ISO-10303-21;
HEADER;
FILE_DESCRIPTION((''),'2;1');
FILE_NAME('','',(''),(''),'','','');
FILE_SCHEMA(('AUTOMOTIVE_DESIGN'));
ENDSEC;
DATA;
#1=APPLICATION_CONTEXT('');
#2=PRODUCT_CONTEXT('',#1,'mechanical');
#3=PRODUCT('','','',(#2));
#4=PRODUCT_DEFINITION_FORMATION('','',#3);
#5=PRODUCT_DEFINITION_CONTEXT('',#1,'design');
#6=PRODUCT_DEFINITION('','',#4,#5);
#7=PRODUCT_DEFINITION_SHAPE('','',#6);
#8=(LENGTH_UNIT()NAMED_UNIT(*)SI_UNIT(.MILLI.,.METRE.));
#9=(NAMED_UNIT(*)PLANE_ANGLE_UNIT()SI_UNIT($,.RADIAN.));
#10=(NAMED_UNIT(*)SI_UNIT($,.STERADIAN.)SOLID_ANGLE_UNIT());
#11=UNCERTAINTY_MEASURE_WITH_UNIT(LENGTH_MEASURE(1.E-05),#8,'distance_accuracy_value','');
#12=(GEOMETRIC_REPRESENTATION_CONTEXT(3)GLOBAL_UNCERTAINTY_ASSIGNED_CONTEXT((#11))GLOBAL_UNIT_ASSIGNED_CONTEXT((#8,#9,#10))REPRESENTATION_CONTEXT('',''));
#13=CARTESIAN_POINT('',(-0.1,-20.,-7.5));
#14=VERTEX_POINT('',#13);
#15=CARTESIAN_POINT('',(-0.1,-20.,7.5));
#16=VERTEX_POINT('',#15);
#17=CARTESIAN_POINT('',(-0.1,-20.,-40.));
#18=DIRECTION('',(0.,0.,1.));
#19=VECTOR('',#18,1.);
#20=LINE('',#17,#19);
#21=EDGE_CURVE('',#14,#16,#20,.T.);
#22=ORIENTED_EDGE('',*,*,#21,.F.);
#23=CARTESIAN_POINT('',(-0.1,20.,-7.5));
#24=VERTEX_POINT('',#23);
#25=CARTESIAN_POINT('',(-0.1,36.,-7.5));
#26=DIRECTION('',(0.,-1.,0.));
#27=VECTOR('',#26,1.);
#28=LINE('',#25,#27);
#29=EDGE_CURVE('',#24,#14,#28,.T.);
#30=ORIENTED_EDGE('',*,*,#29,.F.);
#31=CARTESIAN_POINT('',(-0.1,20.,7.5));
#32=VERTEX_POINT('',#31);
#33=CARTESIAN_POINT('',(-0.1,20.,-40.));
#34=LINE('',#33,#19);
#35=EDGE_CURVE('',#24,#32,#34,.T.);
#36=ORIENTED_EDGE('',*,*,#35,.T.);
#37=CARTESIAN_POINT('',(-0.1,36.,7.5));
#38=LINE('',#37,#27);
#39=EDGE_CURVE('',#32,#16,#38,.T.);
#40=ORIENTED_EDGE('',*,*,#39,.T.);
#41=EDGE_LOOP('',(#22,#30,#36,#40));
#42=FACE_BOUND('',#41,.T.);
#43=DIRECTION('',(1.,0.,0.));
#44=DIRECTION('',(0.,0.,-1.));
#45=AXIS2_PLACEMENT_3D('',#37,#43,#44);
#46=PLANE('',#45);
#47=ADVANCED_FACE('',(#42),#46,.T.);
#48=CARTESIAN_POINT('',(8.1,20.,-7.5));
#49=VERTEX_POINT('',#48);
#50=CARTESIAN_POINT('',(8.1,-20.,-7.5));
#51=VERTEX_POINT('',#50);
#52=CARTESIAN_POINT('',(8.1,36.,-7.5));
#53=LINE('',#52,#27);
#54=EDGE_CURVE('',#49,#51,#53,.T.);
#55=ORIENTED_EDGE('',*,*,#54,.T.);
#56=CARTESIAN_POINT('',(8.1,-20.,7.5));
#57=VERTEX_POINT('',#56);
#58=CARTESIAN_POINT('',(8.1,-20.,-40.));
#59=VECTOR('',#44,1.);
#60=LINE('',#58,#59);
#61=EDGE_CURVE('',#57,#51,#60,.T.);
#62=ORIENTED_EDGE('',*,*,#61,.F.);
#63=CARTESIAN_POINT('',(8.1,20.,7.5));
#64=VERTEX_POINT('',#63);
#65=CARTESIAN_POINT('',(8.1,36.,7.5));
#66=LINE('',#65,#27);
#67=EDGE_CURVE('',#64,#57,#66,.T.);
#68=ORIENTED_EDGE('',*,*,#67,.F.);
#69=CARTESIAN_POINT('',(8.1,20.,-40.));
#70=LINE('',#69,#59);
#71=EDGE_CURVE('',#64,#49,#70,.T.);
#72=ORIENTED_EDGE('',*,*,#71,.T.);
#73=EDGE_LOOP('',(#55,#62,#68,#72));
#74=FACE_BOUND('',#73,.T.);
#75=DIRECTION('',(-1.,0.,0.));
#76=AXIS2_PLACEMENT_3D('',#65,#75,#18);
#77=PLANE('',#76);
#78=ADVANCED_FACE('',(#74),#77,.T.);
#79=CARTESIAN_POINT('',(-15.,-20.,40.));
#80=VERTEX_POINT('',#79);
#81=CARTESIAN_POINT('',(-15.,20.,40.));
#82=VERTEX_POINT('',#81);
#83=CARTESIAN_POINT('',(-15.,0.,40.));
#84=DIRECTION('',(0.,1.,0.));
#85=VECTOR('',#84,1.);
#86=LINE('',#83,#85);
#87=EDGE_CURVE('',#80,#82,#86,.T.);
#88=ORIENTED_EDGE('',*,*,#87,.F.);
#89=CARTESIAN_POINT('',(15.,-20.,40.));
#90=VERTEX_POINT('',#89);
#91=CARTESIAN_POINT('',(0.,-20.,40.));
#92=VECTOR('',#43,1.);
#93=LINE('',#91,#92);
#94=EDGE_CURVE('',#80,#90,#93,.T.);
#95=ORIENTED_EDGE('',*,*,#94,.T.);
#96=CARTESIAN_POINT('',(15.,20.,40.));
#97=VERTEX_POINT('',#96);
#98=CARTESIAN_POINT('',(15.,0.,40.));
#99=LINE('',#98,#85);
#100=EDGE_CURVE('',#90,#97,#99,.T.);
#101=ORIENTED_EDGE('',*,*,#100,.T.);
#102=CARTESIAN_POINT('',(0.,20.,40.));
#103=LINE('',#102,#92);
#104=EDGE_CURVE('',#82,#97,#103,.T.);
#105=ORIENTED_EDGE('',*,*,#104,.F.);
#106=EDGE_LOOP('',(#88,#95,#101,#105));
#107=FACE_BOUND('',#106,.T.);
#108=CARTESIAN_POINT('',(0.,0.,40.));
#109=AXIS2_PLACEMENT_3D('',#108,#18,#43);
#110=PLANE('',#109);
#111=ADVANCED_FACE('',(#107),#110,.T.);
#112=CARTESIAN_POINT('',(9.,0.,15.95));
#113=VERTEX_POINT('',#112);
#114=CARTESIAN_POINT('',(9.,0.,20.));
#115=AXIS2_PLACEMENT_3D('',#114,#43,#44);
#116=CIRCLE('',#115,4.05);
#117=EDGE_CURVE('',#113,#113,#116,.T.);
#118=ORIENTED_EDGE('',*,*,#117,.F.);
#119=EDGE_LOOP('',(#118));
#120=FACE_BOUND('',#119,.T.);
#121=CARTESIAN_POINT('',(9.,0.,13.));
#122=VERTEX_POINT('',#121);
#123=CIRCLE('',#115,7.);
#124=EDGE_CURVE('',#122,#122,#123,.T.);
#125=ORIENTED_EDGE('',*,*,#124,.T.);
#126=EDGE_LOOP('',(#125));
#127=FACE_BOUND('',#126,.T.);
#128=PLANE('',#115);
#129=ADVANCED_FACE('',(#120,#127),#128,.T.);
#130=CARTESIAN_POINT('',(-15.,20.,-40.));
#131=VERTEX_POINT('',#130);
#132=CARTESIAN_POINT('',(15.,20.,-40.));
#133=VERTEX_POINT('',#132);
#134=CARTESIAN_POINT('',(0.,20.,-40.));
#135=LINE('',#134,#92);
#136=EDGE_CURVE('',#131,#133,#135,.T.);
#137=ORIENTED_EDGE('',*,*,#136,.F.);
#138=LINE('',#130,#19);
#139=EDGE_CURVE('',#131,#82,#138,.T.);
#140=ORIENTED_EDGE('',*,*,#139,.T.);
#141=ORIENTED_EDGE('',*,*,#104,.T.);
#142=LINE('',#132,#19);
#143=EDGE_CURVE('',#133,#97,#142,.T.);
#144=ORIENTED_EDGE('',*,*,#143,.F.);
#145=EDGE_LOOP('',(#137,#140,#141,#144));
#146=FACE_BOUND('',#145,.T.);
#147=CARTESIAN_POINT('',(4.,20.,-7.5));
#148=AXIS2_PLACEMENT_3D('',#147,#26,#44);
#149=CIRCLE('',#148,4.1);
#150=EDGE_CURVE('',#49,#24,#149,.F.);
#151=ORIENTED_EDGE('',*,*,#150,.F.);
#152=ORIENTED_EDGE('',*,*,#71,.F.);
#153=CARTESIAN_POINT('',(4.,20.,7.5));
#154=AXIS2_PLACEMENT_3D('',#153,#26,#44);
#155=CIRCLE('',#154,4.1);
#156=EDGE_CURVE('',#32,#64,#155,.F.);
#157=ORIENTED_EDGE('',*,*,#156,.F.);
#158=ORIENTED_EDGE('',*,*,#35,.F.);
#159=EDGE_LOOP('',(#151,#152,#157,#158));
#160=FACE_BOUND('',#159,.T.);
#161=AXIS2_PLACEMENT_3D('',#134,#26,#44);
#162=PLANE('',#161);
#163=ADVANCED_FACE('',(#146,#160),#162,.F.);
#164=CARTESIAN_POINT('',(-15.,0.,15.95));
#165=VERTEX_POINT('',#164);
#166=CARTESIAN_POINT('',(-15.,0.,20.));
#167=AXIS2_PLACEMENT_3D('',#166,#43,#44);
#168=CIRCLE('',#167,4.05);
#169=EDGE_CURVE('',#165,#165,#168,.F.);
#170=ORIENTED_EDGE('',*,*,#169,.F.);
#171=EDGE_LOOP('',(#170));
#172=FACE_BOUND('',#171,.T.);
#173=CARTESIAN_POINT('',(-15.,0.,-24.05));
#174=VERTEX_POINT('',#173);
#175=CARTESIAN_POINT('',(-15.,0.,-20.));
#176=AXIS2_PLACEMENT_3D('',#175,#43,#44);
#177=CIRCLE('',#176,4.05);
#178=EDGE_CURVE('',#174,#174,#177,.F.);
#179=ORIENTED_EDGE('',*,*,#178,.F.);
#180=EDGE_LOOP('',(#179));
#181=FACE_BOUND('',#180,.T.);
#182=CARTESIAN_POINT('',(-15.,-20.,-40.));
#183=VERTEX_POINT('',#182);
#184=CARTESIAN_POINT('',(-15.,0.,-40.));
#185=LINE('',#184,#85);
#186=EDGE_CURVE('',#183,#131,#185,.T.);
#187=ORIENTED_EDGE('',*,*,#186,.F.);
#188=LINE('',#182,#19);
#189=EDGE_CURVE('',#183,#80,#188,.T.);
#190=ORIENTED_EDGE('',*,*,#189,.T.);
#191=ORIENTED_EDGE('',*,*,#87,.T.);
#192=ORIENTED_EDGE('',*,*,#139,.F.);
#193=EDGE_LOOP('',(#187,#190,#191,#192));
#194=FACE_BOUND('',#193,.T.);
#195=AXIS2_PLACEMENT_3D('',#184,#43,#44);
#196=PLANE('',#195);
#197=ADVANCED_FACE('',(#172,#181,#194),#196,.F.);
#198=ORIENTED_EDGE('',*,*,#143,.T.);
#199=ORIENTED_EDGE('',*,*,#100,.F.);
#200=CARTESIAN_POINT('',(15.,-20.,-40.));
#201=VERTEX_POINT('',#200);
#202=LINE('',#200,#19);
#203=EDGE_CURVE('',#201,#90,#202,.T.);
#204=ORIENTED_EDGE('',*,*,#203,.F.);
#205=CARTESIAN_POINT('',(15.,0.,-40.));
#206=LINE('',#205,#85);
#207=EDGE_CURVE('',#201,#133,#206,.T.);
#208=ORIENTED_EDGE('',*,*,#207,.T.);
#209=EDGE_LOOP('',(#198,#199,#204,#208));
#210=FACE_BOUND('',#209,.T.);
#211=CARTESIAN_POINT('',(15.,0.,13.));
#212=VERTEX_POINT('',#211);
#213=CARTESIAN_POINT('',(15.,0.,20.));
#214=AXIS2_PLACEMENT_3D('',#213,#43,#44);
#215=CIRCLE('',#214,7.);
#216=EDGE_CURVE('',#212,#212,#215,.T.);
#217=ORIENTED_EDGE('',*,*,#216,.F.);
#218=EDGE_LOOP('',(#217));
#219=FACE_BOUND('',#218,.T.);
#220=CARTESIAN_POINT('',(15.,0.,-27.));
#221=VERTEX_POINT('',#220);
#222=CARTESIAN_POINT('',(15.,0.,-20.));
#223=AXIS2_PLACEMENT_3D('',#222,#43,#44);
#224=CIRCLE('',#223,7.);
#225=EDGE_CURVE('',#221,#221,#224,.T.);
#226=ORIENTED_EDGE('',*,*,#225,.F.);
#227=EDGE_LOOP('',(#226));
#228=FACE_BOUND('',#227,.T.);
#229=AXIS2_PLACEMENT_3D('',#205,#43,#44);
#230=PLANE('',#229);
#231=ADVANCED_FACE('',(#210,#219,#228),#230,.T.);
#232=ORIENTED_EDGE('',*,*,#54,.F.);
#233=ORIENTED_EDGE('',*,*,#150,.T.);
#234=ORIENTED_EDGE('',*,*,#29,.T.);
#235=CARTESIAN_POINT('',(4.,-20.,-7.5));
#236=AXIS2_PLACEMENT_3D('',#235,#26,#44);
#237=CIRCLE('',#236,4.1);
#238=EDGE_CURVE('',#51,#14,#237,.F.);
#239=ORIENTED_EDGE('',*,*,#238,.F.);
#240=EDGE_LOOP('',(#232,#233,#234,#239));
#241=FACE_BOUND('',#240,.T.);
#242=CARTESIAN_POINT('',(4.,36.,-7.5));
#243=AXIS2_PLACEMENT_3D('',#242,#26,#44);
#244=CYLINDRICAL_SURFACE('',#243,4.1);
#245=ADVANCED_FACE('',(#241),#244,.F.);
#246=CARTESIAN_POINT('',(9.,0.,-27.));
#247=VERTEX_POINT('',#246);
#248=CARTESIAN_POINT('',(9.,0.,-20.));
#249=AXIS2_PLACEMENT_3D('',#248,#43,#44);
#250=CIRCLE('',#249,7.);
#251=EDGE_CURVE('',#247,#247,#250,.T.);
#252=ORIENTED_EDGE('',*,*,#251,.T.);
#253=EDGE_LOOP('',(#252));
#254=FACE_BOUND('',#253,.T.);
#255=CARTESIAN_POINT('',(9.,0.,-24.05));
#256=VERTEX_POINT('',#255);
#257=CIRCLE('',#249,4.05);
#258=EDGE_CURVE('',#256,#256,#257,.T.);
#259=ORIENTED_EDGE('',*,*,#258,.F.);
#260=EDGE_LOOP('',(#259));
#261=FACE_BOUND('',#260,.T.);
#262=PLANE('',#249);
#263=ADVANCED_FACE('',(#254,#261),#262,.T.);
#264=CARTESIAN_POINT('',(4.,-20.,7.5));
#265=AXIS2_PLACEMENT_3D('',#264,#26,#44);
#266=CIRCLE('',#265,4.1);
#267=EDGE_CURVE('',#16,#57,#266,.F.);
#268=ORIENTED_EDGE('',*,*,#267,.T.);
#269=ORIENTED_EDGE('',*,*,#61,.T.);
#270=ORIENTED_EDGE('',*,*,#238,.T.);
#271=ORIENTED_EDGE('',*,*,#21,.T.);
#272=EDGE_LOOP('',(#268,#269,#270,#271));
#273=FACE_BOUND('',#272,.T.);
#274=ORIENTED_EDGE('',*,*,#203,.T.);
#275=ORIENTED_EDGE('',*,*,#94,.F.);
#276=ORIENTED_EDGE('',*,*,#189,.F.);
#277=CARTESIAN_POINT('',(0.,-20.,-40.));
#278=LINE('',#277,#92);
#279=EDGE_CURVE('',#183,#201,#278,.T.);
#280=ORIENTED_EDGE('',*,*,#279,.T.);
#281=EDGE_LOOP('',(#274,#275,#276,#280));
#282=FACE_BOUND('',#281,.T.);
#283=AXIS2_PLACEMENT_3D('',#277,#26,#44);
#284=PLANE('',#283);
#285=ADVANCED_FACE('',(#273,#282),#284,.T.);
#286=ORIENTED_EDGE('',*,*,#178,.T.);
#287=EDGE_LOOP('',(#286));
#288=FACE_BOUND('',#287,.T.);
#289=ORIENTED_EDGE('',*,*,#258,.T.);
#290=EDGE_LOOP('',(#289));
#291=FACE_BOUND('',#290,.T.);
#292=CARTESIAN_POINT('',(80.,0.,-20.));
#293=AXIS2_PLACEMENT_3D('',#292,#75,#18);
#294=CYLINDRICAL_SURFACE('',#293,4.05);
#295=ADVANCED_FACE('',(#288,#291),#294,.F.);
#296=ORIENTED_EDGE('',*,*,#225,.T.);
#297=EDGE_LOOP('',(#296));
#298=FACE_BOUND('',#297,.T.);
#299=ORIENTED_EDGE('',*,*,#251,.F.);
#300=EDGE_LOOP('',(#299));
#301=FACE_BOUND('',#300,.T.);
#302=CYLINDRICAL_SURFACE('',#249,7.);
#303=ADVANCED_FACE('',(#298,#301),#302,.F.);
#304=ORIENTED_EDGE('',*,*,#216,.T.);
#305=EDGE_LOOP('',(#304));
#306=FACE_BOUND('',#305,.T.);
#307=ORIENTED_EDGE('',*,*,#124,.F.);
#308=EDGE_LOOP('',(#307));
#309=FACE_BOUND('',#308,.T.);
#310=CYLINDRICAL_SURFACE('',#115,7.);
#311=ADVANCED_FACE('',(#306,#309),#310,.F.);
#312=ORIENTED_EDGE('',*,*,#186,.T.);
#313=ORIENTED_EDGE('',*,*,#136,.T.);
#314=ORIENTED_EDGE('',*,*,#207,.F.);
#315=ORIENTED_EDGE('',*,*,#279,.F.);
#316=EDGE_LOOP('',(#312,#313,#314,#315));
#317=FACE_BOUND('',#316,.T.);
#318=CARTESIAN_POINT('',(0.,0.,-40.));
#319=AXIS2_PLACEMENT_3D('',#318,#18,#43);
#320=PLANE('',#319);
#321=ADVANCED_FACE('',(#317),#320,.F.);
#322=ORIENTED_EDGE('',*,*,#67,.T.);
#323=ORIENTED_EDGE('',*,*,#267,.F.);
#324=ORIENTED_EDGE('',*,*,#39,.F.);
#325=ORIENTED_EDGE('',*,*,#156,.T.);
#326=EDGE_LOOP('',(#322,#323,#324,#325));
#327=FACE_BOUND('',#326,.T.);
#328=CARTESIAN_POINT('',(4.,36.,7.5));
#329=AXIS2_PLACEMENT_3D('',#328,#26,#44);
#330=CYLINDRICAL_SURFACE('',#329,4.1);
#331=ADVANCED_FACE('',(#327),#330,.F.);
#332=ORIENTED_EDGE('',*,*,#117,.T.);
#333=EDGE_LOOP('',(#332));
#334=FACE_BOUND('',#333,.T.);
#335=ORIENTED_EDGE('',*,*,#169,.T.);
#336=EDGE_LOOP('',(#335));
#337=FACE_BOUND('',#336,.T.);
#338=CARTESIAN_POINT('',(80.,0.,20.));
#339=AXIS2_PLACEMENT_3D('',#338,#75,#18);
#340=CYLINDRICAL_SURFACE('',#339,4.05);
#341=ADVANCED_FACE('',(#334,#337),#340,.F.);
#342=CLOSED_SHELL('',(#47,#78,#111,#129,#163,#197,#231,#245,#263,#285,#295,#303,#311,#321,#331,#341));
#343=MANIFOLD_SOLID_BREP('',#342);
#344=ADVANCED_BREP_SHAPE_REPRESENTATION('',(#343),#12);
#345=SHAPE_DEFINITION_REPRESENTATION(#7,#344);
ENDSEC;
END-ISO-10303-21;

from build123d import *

# Parameters (mm, degrees)
BOSS_EXTRUDE1_DEPTH      = 40
BOSS_EXTRUDE1_DEPTH_BACK = 40
SKETCH1_W                = 30
SKETCH1_H                = 40
CUT_EXTRUDE1_DEPTH       = 80
CUT_EXTRUDE1_DEPTH_BACK  = 80
SKETCH2_R                = 4.05
CUT_EXTRUDE2_START       = 15
SKETCH3_R                = 7
CUT_EXTRUDE2_DEPTH       = 6
CUT_EXTRUDE3_DEPTH       = 36
CUT_EXTRUDE3_DEPTH_BACK  = 36


with BuildPart() as part:
    # Sketch1 → Boss-Extrude1 (new, two sides: drawn at the far end of the back side and taken through both)
    with BuildSketch(Plane.XY.offset(-BOSS_EXTRUDE1_DEPTH_BACK)):
        Rectangle(SKETCH1_W, SKETCH1_H)
    extrude(amount=BOSS_EXTRUDE1_DEPTH + BOSS_EXTRUDE1_DEPTH_BACK)

    # Sketch2 → Cut-Extrude1 (cut, two sides: drawn at the far end of the back side and taken through both)
    with BuildSketch(Plane(origin=(0, 0, 0), x_dir=(0, 0, -1), z_dir=(1, 0, 0)).offset(-CUT_EXTRUDE1_DEPTH_BACK)):
        with Locations((-20, 0)):
            Circle(SKETCH2_R)
        with Locations((20, 0)):
            Circle(SKETCH2_R)
    extrude(amount=CUT_EXTRUDE1_DEPTH + CUT_EXTRUDE1_DEPTH_BACK, mode=Mode.SUBTRACT)

    # Sketch3 → Cut-Extrude2 (cut)
    with BuildSketch(Plane(origin=(0, 0, 0), x_dir=(0, 0, -1), z_dir=(1, 0, 0)).offset(CUT_EXTRUDE2_START)):
        with Locations((-20, 0)):
            Circle(SKETCH3_R)
        with Locations((20, 0)):
            Circle(SKETCH3_R)
    extrude(amount=-CUT_EXTRUDE2_DEPTH, mode=Mode.SUBTRACT)

    # Sketch4 → Cut-Extrude3 (cut, two sides: drawn at the far end of the back side and taken through both)
    with BuildSketch(Plane(origin=(0, 0, 0), x_dir=(1, 0, 0), z_dir=(0, 1, 0)).offset(-CUT_EXTRUDE3_DEPTH_BACK)):
        with BuildLine():
            Line((-0.1, -7.5), (-0.1, 7.5))
            ThreePointArc((-0.1, 7.5), (4, 11.6), (8.1, 7.5))
            Line((8.1, 7.5), (8.1, -7.5))
            ThreePointArc((8.1, -7.5), (4, -11.6), (-0.1, -7.5))
        make_face()
    extrude(amount=CUT_EXTRUDE3_DEPTH + CUT_EXTRUDE3_DEPTH_BACK, mode=Mode.SUBTRACT)


solid = part.part
